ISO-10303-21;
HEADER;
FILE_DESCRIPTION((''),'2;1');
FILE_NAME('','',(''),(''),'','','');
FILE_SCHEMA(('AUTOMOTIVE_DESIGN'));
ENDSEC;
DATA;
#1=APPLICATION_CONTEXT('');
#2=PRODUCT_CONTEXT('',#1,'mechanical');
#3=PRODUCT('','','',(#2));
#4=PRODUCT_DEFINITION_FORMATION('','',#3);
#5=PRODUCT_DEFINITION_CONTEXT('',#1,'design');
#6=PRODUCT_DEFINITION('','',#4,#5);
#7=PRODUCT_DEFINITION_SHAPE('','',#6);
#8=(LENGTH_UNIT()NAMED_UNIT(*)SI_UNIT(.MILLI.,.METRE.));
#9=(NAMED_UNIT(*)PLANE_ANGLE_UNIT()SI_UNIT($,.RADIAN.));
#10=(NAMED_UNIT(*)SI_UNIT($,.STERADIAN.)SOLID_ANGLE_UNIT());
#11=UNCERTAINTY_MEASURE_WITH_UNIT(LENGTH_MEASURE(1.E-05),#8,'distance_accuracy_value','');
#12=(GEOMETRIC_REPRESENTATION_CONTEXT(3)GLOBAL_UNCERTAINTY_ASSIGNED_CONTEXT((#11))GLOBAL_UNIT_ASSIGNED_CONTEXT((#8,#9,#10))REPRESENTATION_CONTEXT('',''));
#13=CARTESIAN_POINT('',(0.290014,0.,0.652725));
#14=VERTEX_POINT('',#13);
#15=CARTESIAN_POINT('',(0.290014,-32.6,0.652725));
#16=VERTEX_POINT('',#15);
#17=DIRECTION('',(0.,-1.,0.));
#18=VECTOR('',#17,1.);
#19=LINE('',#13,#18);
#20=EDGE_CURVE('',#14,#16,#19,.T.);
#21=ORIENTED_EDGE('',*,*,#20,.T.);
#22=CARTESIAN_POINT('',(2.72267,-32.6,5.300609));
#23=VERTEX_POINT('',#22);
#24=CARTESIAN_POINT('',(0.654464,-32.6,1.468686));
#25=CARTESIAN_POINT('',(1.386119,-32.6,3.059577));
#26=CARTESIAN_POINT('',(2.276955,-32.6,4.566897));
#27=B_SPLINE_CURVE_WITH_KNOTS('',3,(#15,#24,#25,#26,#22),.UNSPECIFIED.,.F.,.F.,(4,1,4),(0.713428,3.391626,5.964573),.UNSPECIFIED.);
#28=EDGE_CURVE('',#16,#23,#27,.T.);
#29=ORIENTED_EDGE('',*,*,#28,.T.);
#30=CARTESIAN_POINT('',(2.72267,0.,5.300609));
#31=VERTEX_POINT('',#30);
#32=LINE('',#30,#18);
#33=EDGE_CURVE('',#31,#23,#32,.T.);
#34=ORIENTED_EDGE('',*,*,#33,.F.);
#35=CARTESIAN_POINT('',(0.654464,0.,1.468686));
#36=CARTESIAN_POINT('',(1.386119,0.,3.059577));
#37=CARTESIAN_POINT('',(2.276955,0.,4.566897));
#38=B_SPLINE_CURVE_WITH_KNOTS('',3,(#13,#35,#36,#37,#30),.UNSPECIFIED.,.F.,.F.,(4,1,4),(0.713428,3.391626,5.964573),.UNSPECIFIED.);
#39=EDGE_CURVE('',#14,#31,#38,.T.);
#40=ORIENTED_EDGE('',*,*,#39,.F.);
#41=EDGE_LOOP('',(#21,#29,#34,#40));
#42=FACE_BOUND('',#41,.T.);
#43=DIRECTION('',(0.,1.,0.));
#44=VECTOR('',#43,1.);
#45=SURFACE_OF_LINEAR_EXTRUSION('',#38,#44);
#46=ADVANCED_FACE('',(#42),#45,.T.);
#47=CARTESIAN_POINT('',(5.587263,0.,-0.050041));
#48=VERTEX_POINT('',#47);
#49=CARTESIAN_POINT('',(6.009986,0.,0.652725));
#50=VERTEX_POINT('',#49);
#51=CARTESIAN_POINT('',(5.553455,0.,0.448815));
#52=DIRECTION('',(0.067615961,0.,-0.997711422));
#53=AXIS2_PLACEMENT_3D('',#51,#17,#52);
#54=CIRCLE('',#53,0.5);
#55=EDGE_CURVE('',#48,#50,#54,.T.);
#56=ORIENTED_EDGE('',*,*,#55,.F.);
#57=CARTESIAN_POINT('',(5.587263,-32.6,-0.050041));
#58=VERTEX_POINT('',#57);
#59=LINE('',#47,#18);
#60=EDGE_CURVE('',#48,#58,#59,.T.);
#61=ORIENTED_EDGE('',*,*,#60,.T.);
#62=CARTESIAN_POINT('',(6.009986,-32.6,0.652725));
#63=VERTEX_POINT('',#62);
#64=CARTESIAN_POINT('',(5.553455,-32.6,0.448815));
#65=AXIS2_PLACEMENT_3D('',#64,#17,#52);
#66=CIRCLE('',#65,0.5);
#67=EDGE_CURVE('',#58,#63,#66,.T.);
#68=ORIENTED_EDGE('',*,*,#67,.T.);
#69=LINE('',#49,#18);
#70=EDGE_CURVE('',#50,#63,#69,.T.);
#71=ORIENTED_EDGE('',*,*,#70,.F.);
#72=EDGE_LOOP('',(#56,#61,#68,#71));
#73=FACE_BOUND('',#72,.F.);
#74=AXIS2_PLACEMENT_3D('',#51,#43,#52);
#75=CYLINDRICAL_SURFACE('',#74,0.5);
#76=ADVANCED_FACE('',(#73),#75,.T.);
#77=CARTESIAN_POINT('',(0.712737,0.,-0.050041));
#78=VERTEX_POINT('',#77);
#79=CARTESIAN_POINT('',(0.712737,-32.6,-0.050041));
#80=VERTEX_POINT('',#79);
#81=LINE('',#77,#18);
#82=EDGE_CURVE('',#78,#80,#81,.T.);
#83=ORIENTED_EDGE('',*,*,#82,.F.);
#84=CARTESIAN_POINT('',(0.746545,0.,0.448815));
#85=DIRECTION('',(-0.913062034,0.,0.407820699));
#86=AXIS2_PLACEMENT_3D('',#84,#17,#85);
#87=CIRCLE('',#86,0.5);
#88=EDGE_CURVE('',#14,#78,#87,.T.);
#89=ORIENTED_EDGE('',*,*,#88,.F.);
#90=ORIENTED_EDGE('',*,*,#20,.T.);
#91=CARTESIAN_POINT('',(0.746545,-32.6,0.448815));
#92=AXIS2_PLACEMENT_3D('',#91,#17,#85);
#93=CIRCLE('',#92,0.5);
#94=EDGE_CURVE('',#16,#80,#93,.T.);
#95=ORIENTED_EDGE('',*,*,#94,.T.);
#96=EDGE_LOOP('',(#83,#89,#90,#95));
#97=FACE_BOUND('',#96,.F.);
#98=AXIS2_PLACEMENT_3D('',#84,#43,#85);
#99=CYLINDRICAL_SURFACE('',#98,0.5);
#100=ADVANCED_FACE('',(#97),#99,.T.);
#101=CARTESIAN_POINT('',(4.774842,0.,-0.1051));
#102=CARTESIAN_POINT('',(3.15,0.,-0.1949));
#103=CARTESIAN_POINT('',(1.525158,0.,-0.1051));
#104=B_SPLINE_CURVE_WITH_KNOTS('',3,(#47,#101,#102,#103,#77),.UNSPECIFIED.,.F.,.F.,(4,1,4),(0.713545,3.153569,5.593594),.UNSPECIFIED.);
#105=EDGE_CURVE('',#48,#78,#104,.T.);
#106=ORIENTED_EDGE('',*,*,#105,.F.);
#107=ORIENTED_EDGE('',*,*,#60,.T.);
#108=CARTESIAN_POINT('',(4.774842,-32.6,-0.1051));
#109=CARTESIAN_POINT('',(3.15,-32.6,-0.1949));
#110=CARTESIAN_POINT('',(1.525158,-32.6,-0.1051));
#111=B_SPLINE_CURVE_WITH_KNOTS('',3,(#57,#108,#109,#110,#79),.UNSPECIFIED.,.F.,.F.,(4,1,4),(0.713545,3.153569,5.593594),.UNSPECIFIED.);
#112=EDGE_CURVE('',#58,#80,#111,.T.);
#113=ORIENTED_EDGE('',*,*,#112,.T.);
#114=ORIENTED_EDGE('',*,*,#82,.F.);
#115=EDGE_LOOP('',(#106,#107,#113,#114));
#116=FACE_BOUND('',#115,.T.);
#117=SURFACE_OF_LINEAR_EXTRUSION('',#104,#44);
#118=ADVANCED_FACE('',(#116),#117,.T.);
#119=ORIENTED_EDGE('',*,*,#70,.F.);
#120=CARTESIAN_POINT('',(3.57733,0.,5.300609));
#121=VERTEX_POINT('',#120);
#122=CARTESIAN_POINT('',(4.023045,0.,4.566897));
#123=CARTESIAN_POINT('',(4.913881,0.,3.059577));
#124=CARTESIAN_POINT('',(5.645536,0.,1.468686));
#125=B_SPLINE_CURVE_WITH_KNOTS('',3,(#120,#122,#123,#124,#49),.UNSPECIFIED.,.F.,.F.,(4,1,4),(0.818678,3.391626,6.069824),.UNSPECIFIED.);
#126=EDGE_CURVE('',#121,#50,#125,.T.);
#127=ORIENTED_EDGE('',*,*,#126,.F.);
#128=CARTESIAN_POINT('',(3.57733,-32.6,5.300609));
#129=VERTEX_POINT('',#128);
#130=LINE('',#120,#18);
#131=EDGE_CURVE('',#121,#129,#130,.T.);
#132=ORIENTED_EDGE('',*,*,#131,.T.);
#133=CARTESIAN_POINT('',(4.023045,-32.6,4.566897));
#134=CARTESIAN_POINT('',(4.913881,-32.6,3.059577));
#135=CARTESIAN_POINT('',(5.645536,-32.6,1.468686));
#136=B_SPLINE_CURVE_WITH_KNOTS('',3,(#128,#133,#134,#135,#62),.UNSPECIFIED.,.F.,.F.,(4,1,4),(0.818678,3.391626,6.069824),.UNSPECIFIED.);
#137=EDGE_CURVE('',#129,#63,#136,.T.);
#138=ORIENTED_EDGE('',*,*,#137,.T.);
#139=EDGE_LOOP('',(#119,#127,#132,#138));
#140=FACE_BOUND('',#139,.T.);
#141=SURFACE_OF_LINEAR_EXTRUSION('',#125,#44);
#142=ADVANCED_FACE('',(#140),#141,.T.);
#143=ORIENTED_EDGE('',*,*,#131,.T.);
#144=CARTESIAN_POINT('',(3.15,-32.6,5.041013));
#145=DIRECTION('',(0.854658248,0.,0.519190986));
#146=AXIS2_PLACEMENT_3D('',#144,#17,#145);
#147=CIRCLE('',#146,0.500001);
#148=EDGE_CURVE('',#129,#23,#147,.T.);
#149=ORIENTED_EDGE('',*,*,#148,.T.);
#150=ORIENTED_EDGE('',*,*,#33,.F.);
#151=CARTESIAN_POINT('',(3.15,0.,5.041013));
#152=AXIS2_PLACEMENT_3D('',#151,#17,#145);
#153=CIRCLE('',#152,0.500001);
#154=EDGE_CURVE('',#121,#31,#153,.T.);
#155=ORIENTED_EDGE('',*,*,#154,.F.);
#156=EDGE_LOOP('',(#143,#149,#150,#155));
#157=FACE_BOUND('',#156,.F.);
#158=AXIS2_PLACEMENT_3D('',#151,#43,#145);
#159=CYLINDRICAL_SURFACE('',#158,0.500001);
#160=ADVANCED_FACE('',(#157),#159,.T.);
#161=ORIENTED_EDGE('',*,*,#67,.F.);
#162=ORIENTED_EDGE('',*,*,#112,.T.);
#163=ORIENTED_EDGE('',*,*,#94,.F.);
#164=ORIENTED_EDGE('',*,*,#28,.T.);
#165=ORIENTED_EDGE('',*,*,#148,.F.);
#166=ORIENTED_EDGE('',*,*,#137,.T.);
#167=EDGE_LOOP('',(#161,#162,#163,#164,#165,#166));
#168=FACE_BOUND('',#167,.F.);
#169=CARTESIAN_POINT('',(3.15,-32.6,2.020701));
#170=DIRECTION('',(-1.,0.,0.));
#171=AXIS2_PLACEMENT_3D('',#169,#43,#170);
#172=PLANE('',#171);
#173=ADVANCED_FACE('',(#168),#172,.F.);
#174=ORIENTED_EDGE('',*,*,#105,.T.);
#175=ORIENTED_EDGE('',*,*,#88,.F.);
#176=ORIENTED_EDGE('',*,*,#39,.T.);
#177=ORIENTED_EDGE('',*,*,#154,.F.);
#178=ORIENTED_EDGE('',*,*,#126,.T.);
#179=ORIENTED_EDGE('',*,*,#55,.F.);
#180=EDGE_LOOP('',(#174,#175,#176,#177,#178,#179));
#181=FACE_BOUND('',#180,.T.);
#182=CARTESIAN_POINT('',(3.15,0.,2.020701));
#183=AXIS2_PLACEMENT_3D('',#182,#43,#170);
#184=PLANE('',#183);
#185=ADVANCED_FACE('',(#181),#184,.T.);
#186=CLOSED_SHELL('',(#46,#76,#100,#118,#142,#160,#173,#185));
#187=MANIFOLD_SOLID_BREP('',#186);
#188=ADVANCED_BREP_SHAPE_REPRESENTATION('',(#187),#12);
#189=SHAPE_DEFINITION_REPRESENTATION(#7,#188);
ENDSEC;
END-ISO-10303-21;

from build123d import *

# Parameters (mm, degrees)
F1_DEPTH = 32.6


with BuildPart() as f1:
    # F0 (on Front) → F1 (new body)
    with BuildSketch(Plane.XZ):
        with BuildLine():
            add(Edge.make_bspline(
                [(0.290014, 0.652725), (0.654464, 1.468686), (1.386119, 3.059577), (2.276955, 4.566897), (2.72267, 5.300609)],
                knots=[0.713428, 0.713428, 0.713428, 0.713428, 3.391626, 5.964573, 5.964573, 5.964573, 5.964573], degree=3))
            ThreePointArc((0.290014, 0.652725), (0.318085, 0.19109), (0.712737, -0.050041))
            add(Edge.make_bspline(
                [(5.587263, -0.050041), (4.774842, -0.1051), (3.15, -0.1949), (1.525158, -0.1051), (0.712737, -0.050041)],
                knots=[0.713545, 0.713545, 0.713545, 0.713545, 3.153569, 5.593594, 5.593594, 5.593594, 5.593594], degree=3))
            ThreePointArc((5.587263, -0.050041), (5.981915, 0.19109), (6.009986, 0.652725))
            add(Edge.make_bspline(
                [(3.57733, 5.300609), (4.023045, 4.566897), (4.913881, 3.059577), (5.645536, 1.468686), (6.009986, 0.652725)],
                knots=[0.818678, 0.818678, 0.818678, 0.818678, 3.391626, 6.069824, 6.069824, 6.069824, 6.069824], degree=3))
            ThreePointArc((3.57733, 5.300609), (3.15, 5.541014), (2.72267, 5.300609))
        make_face()
    extrude(amount=F1_DEPTH)


solid = f1.part
